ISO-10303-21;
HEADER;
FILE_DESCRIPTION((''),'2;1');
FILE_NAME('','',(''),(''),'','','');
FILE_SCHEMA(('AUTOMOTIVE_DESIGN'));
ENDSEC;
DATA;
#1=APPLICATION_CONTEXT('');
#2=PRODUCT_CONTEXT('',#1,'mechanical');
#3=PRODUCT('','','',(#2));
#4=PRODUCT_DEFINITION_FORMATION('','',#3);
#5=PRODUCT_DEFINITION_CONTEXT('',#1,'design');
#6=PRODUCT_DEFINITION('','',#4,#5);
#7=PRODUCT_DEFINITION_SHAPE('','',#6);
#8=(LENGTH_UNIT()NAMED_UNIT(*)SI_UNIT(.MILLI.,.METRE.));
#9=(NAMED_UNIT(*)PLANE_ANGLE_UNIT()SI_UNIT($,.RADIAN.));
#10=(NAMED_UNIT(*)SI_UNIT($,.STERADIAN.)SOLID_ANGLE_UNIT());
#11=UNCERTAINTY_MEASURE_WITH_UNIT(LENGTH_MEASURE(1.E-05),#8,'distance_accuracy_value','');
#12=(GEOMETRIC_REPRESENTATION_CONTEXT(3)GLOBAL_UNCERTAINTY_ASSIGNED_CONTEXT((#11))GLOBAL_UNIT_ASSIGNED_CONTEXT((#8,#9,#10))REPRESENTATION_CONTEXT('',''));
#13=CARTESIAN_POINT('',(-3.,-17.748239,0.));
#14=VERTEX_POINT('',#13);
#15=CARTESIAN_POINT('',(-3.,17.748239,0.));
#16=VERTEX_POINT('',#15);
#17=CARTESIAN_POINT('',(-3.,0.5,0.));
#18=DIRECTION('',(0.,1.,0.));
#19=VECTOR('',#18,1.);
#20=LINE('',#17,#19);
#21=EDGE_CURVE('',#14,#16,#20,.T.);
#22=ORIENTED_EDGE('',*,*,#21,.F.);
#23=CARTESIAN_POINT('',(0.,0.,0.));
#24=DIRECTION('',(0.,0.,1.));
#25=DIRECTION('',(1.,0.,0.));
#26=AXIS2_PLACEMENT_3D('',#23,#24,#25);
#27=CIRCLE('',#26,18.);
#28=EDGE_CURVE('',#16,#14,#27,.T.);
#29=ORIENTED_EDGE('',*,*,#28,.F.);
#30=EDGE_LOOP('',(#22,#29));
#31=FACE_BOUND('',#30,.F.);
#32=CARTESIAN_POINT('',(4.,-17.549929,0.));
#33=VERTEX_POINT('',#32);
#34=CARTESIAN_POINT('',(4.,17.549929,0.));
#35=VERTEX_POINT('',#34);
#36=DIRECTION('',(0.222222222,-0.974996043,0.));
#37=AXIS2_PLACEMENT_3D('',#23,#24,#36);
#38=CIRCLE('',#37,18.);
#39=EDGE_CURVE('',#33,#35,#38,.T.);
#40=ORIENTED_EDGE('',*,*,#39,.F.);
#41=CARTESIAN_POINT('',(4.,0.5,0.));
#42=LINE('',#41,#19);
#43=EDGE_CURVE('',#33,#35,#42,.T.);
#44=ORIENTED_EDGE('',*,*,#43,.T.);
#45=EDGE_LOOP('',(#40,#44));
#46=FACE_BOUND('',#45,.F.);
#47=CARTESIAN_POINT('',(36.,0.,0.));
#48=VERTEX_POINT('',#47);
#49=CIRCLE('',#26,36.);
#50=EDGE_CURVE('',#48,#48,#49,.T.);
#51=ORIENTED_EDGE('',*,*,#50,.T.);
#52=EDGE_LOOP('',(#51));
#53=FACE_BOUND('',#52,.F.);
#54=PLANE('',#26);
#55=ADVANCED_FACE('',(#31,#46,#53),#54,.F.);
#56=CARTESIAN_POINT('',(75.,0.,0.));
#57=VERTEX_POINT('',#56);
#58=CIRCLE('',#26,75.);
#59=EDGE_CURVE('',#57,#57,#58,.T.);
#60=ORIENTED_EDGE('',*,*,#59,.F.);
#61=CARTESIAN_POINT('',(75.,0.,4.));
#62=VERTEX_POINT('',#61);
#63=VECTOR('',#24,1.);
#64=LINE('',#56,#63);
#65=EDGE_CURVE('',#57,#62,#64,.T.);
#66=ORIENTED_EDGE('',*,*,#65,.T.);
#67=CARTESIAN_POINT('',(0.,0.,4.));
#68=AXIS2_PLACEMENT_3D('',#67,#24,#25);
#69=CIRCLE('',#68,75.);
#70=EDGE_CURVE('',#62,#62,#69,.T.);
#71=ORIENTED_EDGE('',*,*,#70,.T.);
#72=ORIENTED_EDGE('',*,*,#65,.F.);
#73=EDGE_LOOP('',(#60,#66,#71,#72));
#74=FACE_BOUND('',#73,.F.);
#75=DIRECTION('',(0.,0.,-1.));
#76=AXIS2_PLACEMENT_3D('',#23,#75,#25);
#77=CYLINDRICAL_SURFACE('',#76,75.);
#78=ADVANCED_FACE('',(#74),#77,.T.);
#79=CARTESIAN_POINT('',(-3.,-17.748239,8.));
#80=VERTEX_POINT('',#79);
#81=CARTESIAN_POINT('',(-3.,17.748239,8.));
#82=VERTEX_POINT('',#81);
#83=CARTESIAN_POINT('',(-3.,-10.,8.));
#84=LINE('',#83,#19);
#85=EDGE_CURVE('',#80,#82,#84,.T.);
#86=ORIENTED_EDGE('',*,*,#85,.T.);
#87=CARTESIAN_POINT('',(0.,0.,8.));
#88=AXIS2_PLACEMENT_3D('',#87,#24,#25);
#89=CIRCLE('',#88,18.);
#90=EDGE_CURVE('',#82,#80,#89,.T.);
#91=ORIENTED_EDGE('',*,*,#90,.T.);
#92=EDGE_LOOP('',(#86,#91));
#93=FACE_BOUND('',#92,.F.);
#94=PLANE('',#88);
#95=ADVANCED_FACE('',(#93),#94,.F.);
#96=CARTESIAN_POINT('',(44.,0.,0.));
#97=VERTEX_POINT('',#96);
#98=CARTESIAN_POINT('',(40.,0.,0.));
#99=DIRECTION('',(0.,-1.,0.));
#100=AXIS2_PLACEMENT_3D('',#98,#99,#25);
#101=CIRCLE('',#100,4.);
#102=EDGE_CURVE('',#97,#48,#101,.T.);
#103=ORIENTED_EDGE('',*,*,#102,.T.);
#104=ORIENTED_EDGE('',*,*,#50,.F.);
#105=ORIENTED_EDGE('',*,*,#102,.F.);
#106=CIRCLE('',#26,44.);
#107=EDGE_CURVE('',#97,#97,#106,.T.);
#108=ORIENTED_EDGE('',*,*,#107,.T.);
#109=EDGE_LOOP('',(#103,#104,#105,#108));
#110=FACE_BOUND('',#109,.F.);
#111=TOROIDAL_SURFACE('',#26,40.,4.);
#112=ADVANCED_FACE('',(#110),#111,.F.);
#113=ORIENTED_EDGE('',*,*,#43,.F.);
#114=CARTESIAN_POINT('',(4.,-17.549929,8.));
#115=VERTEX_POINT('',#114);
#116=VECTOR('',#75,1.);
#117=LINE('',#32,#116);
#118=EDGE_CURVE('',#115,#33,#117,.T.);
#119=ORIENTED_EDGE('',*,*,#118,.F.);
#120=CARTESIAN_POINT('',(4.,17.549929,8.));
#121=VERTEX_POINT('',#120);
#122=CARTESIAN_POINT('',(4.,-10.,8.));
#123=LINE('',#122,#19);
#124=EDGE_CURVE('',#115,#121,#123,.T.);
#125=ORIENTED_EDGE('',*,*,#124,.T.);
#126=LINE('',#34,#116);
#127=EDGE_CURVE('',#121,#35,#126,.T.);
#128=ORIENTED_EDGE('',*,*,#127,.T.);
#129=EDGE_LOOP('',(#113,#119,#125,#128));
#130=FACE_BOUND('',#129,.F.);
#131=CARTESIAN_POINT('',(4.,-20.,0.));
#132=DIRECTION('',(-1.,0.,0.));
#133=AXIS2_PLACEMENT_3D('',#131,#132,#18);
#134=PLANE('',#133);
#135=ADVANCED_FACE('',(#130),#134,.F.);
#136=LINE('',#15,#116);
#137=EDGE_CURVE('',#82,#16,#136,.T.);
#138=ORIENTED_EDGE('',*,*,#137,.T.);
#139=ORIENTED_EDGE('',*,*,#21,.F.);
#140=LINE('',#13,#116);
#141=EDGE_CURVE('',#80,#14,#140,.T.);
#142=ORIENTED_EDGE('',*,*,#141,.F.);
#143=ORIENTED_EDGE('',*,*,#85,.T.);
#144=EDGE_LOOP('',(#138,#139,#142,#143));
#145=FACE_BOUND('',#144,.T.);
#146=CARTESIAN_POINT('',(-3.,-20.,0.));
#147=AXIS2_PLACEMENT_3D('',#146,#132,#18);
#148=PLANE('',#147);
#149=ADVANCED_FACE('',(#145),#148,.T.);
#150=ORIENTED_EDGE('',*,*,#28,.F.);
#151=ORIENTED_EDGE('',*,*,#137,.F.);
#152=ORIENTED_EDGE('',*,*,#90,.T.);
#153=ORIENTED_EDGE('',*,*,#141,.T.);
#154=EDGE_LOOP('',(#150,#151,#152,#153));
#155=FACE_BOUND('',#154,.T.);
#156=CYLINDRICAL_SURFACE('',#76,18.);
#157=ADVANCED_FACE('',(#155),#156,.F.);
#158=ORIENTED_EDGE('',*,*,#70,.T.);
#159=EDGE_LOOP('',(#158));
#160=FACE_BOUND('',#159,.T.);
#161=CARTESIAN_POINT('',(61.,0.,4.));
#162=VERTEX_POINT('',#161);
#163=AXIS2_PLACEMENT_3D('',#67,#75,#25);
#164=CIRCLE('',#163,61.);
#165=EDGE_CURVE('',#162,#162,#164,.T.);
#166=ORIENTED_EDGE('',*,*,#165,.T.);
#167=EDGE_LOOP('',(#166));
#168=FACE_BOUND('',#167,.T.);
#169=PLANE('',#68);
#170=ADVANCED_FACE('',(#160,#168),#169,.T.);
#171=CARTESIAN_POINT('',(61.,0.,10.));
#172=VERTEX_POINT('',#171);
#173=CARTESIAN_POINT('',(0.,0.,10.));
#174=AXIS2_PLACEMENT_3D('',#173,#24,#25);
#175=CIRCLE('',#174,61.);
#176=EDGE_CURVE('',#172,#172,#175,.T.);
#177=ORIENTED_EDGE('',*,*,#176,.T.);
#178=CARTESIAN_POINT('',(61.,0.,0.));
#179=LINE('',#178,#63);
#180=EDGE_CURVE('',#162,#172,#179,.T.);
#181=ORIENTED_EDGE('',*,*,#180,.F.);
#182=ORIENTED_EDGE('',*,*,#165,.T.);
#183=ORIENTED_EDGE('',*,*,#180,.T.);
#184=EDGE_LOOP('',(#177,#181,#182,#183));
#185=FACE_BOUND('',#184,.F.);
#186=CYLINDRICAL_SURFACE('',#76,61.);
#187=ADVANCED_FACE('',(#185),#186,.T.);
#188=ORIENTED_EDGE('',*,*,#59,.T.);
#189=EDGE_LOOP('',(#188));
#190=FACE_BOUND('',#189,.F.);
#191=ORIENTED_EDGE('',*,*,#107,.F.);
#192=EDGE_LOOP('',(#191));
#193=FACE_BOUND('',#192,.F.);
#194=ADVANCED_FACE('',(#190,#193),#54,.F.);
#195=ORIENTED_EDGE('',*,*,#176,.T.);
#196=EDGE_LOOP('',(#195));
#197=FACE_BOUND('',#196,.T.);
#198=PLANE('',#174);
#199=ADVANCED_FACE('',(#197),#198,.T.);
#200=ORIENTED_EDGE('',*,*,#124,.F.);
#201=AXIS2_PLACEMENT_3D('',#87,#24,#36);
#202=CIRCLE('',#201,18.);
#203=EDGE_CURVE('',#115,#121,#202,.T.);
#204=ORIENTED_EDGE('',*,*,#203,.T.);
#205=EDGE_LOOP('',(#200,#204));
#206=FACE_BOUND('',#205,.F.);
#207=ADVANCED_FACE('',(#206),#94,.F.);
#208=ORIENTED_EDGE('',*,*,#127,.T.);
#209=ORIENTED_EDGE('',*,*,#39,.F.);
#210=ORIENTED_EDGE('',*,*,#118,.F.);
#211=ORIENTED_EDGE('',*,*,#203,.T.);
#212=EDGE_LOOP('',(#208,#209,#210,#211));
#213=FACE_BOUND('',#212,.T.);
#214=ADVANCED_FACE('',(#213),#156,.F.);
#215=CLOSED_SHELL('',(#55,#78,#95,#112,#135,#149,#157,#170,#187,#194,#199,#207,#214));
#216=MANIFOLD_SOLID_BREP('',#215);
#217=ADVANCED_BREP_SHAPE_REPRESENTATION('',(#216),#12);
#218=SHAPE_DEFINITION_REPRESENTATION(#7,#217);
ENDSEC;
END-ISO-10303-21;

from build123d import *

# Parameters (mm, degrees)
TORUS_R           = 4
CYLINDER003_R     = 18
CYLINDER003_DEPTH = 2
BOX_W             = 7
BOX_H             = 41
BOX_DEPTH         = 10
CYLINDER002_R     = 18
CYLINDER002_DEPTH = 10
CYLINDER001_R     = 75
CYLINDER001_DEPTH = 4
CYLINDER_R        = 61
CYLINDER_DEPTH    = 10


with BuildPart() as torus:
    # Torus → Torus (revolve)
    with BuildSketch(Plane.XZ):
        with Locations((40, 0)):
            Circle(TORUS_R)
    revolve(axis=Axis((0, 0, 0), (0, 0, 1)))


with BuildPart() as cylinder003:
    # Cylinder003 → Cylinder003 (new body)
    with BuildSketch(Plane.XY.offset(8)):
        Circle(CYLINDER003_R)
    extrude(amount=CYLINDER003_DEPTH)


with BuildPart() as box:
    # Box → Box (new body)
    with BuildSketch(Plane(origin=(-3, -20, 0), x_dir=(1, 0, 0), z_dir=(0, 0, 1))):
        with Locations((3.5, 20.5)):
            Rectangle(BOX_W, BOX_H)
    extrude(amount=BOX_DEPTH)


with BuildPart() as cylinder002:
    # Cylinder002 → Cylinder002 (new body)
    with BuildSketch(Plane.XY):
        Circle(CYLINDER002_R)
    extrude(amount=CYLINDER002_DEPTH)


with BuildPart() as cylinder001:
    # Cylinder001 → Cylinder001 (new body)
    with BuildSketch(Plane.XY):
        Circle(CYLINDER001_R)
    extrude(amount=CYLINDER001_DEPTH)


with BuildPart() as cut001:
    # Cylinder → Cylinder (new body)
    with BuildSketch(Plane.XY):
        Circle(CYLINDER_R)
    extrude(amount=CYLINDER_DEPTH)

    # Fusion: union Cylinder001
    add(cylinder001.part)

    # Cut: cut Cylinder002
    add(cylinder002.part, mode=Mode.SUBTRACT)

    # Fusion001: union Box
    add(box.part)

    # Fusion002: union Cylinder003
    add(cylinder003.part)

    # Cut001: cut Torus
    add(torus.part, mode=Mode.SUBTRACT)


solid = cut001.part
